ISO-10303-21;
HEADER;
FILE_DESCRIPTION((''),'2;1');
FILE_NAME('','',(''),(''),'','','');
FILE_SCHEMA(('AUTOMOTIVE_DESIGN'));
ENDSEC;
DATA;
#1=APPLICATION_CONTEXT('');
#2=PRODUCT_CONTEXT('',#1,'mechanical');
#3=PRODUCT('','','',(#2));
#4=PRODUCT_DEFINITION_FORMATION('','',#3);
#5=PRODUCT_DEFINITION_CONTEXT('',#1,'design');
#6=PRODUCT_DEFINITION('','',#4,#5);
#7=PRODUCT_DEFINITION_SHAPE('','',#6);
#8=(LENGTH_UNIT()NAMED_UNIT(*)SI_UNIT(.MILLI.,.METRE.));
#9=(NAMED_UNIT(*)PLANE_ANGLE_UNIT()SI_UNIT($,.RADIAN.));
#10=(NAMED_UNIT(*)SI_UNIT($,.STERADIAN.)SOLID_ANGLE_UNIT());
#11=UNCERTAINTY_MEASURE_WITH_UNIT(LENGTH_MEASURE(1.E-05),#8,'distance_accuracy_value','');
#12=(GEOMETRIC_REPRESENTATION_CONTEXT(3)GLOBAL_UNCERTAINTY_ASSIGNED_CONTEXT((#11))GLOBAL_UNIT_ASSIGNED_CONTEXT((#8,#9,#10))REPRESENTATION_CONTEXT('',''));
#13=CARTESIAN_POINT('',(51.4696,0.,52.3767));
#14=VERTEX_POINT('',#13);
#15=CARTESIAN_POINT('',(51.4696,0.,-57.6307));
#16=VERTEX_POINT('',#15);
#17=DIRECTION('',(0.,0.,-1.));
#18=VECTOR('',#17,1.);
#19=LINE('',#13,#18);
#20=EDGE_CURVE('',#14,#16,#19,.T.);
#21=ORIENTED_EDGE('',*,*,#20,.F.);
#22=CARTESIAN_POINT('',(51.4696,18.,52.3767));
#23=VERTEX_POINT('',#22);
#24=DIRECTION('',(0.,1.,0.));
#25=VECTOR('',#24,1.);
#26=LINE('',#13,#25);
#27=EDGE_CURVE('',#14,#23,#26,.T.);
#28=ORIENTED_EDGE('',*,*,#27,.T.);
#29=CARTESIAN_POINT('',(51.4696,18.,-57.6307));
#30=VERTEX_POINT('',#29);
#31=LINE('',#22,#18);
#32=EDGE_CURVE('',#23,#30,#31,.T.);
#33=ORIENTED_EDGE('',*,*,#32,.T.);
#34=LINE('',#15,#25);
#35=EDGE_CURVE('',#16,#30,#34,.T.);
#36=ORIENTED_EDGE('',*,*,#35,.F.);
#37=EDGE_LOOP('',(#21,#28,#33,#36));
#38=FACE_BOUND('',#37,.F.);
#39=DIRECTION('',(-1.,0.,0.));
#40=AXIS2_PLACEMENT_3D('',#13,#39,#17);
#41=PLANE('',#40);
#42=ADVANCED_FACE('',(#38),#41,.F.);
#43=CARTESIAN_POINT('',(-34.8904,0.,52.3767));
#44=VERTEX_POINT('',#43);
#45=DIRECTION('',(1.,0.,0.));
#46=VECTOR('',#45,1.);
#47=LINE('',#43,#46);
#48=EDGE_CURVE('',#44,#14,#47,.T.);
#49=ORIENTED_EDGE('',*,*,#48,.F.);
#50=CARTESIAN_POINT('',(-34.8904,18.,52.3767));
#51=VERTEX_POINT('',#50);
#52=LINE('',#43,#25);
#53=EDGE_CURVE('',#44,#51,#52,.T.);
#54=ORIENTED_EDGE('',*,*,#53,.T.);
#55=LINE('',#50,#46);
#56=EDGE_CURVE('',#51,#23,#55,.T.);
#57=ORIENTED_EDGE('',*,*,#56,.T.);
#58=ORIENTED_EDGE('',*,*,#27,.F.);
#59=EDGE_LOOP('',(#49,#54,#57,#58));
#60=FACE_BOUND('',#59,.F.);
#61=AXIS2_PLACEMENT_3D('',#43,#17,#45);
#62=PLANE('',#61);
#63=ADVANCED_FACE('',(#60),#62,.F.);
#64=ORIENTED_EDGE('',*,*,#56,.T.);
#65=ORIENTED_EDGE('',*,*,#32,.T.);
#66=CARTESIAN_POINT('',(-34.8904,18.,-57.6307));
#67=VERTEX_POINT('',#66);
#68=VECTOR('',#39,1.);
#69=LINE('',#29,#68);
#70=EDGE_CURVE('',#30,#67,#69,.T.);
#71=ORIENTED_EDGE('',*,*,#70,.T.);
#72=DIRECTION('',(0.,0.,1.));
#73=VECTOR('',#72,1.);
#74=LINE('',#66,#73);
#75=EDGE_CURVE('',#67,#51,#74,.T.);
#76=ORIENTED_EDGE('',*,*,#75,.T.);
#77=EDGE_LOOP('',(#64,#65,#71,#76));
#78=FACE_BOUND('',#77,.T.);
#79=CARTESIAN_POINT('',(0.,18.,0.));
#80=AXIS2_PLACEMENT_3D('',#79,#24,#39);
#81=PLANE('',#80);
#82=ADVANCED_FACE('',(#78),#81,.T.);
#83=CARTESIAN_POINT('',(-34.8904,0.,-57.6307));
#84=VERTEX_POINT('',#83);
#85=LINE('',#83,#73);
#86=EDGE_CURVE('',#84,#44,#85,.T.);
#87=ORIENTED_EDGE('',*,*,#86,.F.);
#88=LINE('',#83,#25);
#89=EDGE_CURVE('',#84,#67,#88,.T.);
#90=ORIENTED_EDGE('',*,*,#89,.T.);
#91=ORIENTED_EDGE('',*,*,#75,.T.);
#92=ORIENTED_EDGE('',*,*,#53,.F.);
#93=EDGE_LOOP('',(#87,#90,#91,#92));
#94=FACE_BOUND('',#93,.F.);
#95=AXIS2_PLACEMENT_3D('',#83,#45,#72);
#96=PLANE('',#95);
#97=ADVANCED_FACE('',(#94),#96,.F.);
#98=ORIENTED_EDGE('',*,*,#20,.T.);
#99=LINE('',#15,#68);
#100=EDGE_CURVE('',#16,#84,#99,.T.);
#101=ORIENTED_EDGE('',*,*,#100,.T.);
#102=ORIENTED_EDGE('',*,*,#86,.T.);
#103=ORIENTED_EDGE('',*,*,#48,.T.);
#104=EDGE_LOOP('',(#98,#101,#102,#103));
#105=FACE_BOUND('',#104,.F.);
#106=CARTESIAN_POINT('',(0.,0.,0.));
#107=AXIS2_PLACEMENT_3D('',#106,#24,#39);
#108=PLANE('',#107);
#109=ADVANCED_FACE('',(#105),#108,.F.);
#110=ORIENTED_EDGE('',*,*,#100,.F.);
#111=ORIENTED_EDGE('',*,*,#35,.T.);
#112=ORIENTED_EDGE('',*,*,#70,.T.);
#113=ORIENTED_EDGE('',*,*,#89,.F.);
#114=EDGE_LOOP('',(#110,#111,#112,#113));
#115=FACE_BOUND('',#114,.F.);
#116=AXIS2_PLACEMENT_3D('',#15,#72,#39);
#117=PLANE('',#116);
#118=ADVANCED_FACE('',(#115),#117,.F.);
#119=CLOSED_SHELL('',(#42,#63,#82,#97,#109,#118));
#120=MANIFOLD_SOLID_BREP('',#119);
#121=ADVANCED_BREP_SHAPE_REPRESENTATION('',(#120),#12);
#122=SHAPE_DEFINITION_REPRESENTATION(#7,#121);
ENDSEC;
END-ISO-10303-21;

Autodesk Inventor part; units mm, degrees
ref_plane "YZ Plane" through (0, 0, 0) normal (1, 0, 0) x (0, 1, 0)
ref_plane "XZ Plane" through (0, 0, 0) normal (0, 1, 0) x (-1, 0, 0)
ref_plane "XY Plane" through (0, 0, 0) normal (0, 0, 1) x (1, 0, 0)
sketch "Sketch1" plane through (0, 0, 0) normal (0, 1, 0) x (-1, 0, 0)
  line L0 (34.8904, 52.3767) -> (-51.4696, 52.3767)
  line L1 (-51.4696, 52.3767) -> (-51.4696, -57.6307)
  line L2 (-51.4696, -57.6307) -> (34.8904, -57.6307)
  line L3 (34.8904, -57.6307) -> (34.8904, 52.3767)
  point P0 (0, 0)
  dimension "d0" = 110.0074
  dimension "d1" = 86.36
extrude "Extrusion1" add sketch "Sketch1" along normal blind 18
properties part number "udoo"
